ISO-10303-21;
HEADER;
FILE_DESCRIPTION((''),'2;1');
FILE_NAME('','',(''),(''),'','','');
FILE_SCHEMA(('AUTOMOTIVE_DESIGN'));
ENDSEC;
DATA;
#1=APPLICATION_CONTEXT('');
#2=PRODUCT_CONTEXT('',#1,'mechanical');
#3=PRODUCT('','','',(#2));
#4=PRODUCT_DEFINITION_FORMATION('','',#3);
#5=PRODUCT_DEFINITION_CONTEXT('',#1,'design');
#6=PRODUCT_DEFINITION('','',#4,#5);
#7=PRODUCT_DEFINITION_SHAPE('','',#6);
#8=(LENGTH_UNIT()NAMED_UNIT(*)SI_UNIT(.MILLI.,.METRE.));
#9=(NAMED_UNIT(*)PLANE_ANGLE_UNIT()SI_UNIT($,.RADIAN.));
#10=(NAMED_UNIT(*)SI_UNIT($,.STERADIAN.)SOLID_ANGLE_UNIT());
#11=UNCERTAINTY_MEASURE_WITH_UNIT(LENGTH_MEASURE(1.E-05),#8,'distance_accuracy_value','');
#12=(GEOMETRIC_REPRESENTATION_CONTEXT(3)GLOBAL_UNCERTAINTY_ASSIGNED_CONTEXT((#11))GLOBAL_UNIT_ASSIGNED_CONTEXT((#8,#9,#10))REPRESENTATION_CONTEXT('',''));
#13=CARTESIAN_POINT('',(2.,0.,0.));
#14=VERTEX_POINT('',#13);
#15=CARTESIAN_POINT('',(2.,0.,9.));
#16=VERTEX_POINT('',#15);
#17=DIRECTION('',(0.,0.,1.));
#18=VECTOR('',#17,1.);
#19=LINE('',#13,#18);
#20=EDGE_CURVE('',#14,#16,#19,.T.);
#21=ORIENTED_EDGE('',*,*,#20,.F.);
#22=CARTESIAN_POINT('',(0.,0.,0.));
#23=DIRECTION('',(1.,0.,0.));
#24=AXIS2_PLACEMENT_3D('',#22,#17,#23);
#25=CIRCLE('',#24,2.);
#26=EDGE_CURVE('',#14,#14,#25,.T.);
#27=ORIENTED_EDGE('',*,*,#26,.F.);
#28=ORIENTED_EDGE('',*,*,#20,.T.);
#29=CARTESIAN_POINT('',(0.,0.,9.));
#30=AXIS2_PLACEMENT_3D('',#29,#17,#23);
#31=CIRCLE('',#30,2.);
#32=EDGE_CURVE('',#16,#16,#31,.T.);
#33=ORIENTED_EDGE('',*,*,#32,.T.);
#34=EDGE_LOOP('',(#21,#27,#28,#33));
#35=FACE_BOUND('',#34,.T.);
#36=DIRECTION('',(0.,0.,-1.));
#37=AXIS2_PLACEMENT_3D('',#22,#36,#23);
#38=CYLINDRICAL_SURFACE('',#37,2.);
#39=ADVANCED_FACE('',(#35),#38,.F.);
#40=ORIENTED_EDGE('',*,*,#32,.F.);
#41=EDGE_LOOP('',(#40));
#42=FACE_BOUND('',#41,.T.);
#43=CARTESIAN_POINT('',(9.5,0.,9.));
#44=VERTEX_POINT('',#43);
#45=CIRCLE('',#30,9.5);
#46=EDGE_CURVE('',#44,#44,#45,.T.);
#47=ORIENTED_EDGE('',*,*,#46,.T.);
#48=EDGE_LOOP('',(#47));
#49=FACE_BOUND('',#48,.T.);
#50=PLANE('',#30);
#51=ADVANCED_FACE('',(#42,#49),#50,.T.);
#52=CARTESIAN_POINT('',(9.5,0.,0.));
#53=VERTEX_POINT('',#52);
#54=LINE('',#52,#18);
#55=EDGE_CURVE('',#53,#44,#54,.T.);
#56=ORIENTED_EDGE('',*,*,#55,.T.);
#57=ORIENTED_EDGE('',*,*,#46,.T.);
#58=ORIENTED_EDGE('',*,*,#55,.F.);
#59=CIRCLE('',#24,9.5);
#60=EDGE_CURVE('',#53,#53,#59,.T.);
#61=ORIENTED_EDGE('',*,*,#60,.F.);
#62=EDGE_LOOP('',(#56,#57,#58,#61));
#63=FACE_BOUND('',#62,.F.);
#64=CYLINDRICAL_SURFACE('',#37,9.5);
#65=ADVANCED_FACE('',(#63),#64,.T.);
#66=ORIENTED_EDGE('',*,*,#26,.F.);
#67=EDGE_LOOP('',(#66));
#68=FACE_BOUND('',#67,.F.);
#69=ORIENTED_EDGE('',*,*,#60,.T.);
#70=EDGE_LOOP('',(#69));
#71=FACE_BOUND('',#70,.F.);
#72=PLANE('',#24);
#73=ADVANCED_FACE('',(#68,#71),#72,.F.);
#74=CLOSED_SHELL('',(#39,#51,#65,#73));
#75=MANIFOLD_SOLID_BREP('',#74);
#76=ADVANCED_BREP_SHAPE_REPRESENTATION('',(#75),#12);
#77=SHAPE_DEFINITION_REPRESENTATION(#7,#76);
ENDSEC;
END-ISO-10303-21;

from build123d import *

# Parameters (mm, degrees)
F0_R     = 9.5
F0_R_2   = 2
F1_DEPTH = 9


with BuildPart() as f1:
    # F0 (on Top) → F1 (new body)
    with BuildSketch(Plane.XY):
        Circle(F0_R)
        Circle(F0_R_2, mode=Mode.SUBTRACT)
    extrude(amount=F1_DEPTH)


solid = f1.part
